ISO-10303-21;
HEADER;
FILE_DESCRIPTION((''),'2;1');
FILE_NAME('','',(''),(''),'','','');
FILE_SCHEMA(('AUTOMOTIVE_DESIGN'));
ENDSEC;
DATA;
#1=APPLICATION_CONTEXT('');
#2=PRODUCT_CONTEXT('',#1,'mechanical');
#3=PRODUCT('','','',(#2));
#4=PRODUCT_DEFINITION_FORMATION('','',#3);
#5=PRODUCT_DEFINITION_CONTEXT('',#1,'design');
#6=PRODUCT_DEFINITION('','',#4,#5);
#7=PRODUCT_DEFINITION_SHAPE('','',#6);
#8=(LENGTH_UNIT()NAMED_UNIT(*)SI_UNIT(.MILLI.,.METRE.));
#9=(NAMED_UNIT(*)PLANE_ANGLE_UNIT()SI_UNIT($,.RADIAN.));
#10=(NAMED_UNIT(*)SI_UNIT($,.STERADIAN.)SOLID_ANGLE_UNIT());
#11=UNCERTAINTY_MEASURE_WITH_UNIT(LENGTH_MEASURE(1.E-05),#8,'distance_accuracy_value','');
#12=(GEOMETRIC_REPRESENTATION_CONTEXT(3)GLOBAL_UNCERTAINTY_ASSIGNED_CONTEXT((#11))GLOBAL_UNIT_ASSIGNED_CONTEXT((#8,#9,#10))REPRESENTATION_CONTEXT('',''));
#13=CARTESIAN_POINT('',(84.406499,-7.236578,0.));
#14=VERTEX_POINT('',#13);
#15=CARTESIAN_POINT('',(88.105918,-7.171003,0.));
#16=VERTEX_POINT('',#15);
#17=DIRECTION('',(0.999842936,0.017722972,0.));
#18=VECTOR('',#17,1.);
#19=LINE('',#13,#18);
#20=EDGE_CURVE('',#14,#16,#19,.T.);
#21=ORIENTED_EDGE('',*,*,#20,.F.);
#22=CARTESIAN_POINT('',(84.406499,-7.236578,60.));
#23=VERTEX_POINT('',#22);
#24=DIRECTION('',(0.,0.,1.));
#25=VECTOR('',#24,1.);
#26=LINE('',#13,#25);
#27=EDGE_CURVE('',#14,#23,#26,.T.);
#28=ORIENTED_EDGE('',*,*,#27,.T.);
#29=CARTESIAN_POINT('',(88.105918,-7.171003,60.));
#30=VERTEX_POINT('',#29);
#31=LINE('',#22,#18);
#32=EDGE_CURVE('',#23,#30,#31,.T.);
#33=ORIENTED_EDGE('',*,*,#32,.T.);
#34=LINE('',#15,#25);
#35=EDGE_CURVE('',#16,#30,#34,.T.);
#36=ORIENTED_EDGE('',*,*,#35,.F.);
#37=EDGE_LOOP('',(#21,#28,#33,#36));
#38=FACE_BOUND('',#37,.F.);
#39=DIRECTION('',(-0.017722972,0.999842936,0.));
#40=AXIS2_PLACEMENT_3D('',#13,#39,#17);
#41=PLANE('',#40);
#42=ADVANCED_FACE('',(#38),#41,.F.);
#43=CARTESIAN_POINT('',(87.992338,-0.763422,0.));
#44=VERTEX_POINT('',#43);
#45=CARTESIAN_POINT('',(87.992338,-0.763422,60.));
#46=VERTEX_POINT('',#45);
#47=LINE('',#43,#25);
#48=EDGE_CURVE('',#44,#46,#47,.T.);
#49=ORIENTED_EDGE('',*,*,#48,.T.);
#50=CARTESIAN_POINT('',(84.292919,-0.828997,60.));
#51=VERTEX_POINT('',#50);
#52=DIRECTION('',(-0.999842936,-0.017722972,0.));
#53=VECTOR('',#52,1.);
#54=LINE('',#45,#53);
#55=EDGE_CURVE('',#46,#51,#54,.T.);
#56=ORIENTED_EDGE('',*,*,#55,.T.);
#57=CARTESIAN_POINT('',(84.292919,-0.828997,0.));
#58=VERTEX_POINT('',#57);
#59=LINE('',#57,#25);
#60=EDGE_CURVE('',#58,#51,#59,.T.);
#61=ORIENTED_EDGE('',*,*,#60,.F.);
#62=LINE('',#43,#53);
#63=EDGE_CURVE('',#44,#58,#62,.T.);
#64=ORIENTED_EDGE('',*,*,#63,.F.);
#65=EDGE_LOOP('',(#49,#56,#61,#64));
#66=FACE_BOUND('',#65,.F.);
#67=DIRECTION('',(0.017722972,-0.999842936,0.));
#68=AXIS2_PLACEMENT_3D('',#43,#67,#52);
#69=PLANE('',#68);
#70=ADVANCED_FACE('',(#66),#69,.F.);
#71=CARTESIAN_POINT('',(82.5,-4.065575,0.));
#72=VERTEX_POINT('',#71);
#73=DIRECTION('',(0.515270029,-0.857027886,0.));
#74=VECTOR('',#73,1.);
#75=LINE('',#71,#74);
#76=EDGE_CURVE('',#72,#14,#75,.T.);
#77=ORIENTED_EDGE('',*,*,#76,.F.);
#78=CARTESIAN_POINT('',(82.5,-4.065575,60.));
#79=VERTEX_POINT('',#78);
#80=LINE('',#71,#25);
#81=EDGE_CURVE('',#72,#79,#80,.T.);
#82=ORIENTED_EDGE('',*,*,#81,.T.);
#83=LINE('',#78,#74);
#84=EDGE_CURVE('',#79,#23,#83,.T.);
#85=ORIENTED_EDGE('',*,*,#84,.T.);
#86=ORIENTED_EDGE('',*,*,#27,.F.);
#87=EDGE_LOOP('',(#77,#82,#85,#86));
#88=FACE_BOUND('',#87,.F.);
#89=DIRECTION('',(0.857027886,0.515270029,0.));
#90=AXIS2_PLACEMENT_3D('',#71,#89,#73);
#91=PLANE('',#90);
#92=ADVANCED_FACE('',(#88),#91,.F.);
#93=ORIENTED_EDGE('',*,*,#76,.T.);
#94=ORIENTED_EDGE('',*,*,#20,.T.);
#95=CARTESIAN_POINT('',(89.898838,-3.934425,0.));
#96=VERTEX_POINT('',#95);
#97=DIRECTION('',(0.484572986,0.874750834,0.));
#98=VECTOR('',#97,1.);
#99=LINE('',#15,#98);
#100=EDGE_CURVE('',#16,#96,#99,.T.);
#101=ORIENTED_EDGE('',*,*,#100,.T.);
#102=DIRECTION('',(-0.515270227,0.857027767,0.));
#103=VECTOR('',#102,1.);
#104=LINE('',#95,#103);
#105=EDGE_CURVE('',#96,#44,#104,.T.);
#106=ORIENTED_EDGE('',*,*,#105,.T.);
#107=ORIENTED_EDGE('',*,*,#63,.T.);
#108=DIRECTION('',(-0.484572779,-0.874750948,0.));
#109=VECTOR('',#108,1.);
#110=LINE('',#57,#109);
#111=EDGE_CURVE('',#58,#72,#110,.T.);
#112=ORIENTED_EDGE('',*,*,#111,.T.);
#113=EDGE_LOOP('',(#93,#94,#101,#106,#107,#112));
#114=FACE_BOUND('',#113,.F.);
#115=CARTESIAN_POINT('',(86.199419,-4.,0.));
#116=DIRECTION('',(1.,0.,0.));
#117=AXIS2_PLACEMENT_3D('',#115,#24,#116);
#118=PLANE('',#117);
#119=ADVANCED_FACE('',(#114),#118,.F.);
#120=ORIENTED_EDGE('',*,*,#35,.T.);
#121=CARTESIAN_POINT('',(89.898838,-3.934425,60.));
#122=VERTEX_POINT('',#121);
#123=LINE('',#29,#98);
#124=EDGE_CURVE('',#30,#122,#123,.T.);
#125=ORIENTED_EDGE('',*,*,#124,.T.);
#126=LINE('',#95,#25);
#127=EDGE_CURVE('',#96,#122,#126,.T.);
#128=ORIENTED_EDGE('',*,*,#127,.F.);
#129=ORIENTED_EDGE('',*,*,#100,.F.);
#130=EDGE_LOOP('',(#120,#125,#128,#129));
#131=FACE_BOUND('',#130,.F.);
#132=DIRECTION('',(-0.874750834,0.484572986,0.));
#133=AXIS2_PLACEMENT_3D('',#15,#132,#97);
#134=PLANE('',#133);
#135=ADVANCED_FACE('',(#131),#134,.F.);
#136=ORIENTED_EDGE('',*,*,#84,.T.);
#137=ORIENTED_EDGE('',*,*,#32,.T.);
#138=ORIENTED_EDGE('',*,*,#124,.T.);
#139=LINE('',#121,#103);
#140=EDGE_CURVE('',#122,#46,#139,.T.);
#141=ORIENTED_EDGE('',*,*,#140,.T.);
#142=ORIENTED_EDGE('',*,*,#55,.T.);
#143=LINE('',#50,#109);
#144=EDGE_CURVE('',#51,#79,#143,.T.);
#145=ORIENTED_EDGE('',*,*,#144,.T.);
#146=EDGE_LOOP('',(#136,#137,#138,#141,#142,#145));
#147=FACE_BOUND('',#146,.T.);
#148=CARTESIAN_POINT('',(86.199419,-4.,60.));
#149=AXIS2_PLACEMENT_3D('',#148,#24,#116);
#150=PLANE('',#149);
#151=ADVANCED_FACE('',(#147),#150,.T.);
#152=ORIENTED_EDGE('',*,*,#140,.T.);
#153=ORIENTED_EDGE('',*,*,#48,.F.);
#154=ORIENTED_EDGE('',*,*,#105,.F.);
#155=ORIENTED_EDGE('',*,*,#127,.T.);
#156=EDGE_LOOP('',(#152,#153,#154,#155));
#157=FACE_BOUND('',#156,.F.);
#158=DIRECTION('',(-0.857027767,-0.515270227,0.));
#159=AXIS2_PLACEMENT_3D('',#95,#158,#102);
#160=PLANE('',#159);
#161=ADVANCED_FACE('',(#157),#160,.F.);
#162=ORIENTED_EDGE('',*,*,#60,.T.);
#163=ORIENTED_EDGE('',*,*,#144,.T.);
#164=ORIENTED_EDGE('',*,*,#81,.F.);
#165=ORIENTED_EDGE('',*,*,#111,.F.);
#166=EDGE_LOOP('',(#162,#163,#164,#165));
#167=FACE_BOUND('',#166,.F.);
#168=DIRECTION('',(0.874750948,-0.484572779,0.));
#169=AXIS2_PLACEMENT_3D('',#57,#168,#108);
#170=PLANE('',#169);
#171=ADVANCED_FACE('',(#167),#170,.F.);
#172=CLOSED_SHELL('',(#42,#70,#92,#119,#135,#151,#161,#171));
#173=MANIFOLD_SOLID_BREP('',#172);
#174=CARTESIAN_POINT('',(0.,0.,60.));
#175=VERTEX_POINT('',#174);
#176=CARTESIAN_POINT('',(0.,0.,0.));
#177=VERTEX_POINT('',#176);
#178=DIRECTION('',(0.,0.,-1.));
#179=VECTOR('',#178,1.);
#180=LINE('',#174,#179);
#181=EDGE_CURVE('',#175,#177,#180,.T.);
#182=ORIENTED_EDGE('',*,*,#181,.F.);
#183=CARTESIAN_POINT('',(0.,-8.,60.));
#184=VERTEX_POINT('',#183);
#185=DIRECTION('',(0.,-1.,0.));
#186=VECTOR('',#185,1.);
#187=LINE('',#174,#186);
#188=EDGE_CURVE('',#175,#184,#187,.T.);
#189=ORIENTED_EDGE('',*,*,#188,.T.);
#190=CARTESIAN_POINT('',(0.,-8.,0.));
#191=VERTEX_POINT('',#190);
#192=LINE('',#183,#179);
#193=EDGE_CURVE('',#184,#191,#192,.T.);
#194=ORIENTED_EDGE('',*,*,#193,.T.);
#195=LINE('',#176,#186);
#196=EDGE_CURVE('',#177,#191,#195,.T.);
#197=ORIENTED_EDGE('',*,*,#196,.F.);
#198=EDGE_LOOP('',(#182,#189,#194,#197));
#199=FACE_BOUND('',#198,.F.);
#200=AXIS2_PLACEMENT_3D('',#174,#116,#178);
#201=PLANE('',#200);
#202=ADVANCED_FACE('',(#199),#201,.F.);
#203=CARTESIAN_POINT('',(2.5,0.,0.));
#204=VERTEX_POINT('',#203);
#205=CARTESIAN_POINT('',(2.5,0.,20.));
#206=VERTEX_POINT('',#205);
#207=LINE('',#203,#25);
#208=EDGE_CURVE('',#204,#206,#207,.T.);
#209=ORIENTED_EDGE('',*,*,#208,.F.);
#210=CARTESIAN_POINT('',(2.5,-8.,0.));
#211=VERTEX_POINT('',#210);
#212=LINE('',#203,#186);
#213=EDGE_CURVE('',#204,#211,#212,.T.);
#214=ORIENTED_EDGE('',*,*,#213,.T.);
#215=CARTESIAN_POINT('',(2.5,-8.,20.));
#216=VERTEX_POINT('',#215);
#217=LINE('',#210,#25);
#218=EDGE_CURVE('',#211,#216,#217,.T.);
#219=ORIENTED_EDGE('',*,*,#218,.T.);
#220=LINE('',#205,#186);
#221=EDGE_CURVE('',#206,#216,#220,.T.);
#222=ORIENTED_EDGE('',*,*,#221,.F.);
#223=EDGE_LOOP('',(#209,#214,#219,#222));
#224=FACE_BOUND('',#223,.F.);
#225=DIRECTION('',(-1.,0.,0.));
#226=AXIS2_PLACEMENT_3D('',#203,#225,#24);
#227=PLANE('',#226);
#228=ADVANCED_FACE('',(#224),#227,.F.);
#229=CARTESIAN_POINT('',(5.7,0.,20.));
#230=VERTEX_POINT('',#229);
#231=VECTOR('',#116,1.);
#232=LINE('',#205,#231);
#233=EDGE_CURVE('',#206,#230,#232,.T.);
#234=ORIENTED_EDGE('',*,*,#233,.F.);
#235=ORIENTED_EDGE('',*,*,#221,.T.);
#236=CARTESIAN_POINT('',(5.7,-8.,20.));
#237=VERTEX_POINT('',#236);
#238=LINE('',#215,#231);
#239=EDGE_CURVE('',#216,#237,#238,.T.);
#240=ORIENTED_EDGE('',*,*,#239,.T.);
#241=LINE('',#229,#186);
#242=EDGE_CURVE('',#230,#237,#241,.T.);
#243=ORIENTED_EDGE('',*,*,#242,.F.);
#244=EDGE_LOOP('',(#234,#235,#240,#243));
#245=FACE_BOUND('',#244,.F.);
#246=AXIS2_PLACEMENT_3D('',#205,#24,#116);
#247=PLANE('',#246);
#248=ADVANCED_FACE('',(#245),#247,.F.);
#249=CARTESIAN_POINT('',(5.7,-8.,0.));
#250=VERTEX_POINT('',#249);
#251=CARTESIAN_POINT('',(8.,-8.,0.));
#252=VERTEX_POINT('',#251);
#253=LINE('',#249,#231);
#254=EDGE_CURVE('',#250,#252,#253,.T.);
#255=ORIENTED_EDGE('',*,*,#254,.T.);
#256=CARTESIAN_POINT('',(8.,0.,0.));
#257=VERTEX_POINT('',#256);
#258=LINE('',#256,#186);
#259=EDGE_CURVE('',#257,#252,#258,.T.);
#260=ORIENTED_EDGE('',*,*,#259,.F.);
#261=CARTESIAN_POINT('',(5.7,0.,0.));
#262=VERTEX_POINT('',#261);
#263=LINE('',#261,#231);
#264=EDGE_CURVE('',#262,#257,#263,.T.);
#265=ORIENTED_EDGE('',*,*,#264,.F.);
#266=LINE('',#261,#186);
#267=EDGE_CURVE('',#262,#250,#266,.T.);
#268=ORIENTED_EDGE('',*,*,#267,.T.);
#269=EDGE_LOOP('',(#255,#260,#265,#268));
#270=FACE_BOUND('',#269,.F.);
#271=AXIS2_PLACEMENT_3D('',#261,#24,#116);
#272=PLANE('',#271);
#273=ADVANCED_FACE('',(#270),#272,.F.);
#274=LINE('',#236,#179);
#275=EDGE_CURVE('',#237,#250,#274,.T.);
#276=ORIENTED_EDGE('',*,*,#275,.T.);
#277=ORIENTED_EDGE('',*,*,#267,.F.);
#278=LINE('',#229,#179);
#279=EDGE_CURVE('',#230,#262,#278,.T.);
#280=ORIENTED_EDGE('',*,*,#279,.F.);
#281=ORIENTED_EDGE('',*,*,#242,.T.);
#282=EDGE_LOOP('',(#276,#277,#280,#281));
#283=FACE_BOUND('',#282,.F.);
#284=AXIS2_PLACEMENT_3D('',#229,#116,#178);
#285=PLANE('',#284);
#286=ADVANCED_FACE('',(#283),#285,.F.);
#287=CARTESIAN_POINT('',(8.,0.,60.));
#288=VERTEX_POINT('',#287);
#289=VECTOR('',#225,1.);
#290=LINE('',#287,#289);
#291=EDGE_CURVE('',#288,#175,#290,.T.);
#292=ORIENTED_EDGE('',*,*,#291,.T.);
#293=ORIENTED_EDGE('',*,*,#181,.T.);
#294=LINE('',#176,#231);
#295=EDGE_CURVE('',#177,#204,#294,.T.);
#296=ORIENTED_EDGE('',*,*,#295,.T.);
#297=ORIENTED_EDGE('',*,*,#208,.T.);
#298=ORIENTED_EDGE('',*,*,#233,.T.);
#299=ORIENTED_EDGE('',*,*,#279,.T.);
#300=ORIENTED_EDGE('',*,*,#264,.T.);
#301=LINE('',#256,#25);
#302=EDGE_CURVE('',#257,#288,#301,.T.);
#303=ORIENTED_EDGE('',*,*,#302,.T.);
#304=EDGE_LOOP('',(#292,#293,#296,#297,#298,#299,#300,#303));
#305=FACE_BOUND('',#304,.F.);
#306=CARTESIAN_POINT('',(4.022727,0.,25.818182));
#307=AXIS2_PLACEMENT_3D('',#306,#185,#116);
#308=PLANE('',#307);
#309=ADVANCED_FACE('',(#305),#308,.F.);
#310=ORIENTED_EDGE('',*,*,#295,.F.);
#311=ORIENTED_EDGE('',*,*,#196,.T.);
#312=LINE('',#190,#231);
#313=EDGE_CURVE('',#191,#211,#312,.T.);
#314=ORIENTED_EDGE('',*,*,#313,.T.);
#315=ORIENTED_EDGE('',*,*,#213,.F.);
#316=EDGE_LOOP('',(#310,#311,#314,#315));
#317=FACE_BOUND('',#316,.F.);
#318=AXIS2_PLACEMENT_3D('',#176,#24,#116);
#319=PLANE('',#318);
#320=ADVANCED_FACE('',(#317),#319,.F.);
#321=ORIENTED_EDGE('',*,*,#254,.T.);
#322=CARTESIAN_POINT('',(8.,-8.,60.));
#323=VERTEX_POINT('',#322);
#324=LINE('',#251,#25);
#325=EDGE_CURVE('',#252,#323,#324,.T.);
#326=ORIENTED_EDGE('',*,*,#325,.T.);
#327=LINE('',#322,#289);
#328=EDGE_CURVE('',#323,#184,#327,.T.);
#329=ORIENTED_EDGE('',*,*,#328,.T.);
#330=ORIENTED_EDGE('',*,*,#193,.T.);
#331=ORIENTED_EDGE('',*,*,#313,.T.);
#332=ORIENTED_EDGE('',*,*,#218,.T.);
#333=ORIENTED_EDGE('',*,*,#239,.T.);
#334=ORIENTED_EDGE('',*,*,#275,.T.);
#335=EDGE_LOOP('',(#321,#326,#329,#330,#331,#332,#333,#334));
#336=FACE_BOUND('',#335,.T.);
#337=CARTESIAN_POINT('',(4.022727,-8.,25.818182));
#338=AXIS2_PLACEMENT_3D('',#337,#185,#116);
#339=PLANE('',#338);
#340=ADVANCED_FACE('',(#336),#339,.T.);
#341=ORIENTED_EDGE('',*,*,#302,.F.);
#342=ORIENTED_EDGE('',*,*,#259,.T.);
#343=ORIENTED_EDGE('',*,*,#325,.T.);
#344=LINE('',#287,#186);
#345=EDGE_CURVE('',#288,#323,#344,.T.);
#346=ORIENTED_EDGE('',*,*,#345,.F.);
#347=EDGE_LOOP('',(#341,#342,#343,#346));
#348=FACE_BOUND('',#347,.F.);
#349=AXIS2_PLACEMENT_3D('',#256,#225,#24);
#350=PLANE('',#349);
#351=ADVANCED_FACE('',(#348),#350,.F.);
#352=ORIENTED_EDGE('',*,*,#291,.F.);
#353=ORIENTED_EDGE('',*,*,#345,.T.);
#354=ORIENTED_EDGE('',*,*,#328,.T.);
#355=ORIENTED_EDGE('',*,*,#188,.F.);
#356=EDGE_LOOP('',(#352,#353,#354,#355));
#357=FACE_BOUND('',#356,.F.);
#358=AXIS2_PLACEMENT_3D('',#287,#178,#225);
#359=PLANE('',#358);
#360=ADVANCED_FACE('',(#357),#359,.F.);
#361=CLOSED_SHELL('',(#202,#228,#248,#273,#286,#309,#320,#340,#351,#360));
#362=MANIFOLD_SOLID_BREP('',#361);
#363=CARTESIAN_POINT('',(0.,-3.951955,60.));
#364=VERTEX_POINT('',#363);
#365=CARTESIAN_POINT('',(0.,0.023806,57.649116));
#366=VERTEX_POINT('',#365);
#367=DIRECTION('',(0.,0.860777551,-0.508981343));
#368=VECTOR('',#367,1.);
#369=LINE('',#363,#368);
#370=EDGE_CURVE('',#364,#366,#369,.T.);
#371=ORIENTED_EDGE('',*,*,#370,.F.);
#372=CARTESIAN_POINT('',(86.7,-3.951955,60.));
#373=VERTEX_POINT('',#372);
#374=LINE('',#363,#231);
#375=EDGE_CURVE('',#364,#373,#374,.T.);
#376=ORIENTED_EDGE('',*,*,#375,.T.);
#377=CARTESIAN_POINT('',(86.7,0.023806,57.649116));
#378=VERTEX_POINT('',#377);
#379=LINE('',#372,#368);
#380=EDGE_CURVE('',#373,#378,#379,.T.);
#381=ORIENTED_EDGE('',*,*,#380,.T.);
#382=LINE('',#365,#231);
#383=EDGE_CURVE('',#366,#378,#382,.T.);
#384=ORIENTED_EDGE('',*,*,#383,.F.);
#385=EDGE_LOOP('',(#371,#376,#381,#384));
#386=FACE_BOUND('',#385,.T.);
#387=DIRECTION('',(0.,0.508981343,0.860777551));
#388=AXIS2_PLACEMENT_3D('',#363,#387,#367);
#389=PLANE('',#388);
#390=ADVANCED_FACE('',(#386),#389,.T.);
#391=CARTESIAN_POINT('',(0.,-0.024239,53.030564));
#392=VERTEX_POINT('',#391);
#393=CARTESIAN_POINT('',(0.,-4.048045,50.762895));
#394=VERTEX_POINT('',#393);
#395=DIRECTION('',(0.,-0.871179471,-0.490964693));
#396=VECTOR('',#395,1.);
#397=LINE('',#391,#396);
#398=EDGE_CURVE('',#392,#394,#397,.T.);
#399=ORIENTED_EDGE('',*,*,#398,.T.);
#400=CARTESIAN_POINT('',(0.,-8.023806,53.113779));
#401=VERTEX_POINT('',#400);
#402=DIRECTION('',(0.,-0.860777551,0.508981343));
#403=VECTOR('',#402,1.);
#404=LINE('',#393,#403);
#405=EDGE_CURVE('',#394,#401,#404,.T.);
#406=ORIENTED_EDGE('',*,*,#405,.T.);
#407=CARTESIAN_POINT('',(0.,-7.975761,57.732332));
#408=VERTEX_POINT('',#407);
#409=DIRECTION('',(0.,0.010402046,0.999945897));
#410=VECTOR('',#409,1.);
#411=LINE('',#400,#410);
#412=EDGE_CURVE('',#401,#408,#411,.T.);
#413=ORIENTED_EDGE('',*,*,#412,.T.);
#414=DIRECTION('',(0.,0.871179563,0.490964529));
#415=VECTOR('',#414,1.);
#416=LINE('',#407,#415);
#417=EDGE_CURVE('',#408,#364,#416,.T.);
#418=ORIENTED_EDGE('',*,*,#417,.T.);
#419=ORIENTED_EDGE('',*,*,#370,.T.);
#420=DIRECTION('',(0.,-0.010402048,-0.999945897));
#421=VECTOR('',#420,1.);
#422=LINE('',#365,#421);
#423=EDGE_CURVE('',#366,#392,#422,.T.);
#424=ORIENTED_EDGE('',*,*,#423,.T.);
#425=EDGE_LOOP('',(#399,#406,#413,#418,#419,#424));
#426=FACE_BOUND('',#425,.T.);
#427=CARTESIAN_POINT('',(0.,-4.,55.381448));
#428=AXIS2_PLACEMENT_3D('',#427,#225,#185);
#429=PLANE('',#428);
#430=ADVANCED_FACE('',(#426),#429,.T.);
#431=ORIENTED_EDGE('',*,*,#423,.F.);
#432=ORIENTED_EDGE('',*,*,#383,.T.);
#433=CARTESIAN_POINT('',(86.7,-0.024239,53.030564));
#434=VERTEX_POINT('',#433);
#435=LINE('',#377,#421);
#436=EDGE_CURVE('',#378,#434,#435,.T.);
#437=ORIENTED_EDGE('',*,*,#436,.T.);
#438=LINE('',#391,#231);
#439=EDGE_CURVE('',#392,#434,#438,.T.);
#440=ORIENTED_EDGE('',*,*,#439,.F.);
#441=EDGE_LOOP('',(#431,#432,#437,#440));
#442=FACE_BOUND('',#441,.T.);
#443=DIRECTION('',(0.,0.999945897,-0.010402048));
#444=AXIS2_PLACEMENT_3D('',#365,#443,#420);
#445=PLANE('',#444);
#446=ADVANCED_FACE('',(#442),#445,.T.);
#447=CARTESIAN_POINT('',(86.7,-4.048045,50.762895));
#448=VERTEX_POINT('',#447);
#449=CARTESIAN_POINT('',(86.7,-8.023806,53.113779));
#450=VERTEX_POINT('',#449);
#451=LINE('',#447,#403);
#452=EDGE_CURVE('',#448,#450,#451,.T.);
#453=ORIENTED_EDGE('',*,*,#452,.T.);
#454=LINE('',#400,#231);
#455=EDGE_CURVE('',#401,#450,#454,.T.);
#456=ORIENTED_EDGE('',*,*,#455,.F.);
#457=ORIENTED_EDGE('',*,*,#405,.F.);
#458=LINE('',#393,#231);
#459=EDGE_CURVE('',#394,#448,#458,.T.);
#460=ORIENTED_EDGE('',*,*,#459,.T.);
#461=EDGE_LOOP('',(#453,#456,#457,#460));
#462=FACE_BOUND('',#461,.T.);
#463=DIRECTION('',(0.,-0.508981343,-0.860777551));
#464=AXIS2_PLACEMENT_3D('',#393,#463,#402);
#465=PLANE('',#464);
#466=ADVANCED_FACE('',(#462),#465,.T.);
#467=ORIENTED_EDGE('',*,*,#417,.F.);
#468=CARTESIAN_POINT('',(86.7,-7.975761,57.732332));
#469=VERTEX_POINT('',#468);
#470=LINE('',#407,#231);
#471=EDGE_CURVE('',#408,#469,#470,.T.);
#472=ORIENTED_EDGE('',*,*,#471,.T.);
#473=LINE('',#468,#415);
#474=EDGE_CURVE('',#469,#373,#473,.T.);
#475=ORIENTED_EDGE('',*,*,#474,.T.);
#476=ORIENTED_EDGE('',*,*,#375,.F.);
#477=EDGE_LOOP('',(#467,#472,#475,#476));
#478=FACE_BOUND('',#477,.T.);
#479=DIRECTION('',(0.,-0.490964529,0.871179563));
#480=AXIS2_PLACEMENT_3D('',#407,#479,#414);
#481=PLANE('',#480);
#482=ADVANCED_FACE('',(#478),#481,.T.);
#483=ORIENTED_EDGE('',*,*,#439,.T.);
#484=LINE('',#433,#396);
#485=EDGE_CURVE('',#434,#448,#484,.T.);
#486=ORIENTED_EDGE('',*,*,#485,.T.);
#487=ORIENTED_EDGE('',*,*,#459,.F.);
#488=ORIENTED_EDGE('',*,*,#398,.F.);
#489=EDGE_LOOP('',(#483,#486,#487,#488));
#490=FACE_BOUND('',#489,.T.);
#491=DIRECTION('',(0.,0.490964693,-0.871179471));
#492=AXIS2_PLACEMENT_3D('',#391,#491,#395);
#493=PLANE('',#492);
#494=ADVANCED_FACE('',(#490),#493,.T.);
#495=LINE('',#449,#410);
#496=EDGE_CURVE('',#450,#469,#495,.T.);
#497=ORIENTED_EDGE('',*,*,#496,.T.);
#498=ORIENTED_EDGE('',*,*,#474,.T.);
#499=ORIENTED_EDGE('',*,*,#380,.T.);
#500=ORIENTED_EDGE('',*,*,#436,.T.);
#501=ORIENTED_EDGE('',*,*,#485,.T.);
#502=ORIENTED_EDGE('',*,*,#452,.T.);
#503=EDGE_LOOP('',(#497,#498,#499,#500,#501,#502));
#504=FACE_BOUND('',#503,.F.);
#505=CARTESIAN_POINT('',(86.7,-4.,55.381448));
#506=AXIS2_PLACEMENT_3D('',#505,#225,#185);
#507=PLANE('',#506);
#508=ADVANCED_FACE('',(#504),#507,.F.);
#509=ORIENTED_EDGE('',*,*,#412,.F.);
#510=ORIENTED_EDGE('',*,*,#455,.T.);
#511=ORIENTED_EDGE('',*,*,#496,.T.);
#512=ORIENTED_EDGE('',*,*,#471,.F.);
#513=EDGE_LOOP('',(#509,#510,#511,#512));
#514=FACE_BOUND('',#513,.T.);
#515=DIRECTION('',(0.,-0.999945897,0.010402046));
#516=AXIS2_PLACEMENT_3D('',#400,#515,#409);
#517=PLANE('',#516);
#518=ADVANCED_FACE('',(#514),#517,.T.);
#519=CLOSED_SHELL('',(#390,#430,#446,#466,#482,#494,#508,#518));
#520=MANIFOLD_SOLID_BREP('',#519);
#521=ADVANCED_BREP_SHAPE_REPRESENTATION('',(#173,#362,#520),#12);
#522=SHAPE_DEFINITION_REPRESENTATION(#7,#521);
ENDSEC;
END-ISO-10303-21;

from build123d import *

# Parameters (mm, degrees)
F1_DEPTH = 8
F3_DEPTH = 60
F5_DEPTH = 86.7


with BuildPart() as f1:
    # F0 (on Front) → F1 (new body)
    with BuildSketch(Plane.XZ):
        Polygon((0, 60), (0, 0), (2.5, 0), (2.5, 20), (5.7, 20), (5.7, 0), (8, 0), (8, 60), align=None)
    extrude(amount=F1_DEPTH)


with BuildPart() as f3:
    # F2 (on Top) → F3 (new body)
    with BuildSketch(Plane.XY):
        Polygon((87.992338, -0.763422), (84.292919, -0.828997), (82.5, -4.065575), (84.406499, -7.236578), (88.105918, -7.171003), (89.898838, -3.934425), align=None)
    extrude(amount=F3_DEPTH)


with BuildPart() as f5:
    # F4 (on face) → F5 (new body)
    with BuildSketch(Plane(origin=(0, 0, 0), x_dir=(0, -1, 0), z_dir=(-1, 0, 0))):
        Polygon((4.048045, 50.762895), (8.023806, 53.113779), (7.975761, 57.732332), (3.951955, 60), (-0.023806, 57.649116), (0.024239, 53.030564), align=None)
        Polygon((4.048045, 50.762895), (8, 53.099703), (8, 55.402252), (7.975761, 57.732332), (3.951955, 60), (0, 57.663193), (0, 55.360643), (0.024239, 53.030564), align=None)
    extrude(amount=-F5_DEPTH)


solid = Compound([f1.part, f3.part, f5.part])
